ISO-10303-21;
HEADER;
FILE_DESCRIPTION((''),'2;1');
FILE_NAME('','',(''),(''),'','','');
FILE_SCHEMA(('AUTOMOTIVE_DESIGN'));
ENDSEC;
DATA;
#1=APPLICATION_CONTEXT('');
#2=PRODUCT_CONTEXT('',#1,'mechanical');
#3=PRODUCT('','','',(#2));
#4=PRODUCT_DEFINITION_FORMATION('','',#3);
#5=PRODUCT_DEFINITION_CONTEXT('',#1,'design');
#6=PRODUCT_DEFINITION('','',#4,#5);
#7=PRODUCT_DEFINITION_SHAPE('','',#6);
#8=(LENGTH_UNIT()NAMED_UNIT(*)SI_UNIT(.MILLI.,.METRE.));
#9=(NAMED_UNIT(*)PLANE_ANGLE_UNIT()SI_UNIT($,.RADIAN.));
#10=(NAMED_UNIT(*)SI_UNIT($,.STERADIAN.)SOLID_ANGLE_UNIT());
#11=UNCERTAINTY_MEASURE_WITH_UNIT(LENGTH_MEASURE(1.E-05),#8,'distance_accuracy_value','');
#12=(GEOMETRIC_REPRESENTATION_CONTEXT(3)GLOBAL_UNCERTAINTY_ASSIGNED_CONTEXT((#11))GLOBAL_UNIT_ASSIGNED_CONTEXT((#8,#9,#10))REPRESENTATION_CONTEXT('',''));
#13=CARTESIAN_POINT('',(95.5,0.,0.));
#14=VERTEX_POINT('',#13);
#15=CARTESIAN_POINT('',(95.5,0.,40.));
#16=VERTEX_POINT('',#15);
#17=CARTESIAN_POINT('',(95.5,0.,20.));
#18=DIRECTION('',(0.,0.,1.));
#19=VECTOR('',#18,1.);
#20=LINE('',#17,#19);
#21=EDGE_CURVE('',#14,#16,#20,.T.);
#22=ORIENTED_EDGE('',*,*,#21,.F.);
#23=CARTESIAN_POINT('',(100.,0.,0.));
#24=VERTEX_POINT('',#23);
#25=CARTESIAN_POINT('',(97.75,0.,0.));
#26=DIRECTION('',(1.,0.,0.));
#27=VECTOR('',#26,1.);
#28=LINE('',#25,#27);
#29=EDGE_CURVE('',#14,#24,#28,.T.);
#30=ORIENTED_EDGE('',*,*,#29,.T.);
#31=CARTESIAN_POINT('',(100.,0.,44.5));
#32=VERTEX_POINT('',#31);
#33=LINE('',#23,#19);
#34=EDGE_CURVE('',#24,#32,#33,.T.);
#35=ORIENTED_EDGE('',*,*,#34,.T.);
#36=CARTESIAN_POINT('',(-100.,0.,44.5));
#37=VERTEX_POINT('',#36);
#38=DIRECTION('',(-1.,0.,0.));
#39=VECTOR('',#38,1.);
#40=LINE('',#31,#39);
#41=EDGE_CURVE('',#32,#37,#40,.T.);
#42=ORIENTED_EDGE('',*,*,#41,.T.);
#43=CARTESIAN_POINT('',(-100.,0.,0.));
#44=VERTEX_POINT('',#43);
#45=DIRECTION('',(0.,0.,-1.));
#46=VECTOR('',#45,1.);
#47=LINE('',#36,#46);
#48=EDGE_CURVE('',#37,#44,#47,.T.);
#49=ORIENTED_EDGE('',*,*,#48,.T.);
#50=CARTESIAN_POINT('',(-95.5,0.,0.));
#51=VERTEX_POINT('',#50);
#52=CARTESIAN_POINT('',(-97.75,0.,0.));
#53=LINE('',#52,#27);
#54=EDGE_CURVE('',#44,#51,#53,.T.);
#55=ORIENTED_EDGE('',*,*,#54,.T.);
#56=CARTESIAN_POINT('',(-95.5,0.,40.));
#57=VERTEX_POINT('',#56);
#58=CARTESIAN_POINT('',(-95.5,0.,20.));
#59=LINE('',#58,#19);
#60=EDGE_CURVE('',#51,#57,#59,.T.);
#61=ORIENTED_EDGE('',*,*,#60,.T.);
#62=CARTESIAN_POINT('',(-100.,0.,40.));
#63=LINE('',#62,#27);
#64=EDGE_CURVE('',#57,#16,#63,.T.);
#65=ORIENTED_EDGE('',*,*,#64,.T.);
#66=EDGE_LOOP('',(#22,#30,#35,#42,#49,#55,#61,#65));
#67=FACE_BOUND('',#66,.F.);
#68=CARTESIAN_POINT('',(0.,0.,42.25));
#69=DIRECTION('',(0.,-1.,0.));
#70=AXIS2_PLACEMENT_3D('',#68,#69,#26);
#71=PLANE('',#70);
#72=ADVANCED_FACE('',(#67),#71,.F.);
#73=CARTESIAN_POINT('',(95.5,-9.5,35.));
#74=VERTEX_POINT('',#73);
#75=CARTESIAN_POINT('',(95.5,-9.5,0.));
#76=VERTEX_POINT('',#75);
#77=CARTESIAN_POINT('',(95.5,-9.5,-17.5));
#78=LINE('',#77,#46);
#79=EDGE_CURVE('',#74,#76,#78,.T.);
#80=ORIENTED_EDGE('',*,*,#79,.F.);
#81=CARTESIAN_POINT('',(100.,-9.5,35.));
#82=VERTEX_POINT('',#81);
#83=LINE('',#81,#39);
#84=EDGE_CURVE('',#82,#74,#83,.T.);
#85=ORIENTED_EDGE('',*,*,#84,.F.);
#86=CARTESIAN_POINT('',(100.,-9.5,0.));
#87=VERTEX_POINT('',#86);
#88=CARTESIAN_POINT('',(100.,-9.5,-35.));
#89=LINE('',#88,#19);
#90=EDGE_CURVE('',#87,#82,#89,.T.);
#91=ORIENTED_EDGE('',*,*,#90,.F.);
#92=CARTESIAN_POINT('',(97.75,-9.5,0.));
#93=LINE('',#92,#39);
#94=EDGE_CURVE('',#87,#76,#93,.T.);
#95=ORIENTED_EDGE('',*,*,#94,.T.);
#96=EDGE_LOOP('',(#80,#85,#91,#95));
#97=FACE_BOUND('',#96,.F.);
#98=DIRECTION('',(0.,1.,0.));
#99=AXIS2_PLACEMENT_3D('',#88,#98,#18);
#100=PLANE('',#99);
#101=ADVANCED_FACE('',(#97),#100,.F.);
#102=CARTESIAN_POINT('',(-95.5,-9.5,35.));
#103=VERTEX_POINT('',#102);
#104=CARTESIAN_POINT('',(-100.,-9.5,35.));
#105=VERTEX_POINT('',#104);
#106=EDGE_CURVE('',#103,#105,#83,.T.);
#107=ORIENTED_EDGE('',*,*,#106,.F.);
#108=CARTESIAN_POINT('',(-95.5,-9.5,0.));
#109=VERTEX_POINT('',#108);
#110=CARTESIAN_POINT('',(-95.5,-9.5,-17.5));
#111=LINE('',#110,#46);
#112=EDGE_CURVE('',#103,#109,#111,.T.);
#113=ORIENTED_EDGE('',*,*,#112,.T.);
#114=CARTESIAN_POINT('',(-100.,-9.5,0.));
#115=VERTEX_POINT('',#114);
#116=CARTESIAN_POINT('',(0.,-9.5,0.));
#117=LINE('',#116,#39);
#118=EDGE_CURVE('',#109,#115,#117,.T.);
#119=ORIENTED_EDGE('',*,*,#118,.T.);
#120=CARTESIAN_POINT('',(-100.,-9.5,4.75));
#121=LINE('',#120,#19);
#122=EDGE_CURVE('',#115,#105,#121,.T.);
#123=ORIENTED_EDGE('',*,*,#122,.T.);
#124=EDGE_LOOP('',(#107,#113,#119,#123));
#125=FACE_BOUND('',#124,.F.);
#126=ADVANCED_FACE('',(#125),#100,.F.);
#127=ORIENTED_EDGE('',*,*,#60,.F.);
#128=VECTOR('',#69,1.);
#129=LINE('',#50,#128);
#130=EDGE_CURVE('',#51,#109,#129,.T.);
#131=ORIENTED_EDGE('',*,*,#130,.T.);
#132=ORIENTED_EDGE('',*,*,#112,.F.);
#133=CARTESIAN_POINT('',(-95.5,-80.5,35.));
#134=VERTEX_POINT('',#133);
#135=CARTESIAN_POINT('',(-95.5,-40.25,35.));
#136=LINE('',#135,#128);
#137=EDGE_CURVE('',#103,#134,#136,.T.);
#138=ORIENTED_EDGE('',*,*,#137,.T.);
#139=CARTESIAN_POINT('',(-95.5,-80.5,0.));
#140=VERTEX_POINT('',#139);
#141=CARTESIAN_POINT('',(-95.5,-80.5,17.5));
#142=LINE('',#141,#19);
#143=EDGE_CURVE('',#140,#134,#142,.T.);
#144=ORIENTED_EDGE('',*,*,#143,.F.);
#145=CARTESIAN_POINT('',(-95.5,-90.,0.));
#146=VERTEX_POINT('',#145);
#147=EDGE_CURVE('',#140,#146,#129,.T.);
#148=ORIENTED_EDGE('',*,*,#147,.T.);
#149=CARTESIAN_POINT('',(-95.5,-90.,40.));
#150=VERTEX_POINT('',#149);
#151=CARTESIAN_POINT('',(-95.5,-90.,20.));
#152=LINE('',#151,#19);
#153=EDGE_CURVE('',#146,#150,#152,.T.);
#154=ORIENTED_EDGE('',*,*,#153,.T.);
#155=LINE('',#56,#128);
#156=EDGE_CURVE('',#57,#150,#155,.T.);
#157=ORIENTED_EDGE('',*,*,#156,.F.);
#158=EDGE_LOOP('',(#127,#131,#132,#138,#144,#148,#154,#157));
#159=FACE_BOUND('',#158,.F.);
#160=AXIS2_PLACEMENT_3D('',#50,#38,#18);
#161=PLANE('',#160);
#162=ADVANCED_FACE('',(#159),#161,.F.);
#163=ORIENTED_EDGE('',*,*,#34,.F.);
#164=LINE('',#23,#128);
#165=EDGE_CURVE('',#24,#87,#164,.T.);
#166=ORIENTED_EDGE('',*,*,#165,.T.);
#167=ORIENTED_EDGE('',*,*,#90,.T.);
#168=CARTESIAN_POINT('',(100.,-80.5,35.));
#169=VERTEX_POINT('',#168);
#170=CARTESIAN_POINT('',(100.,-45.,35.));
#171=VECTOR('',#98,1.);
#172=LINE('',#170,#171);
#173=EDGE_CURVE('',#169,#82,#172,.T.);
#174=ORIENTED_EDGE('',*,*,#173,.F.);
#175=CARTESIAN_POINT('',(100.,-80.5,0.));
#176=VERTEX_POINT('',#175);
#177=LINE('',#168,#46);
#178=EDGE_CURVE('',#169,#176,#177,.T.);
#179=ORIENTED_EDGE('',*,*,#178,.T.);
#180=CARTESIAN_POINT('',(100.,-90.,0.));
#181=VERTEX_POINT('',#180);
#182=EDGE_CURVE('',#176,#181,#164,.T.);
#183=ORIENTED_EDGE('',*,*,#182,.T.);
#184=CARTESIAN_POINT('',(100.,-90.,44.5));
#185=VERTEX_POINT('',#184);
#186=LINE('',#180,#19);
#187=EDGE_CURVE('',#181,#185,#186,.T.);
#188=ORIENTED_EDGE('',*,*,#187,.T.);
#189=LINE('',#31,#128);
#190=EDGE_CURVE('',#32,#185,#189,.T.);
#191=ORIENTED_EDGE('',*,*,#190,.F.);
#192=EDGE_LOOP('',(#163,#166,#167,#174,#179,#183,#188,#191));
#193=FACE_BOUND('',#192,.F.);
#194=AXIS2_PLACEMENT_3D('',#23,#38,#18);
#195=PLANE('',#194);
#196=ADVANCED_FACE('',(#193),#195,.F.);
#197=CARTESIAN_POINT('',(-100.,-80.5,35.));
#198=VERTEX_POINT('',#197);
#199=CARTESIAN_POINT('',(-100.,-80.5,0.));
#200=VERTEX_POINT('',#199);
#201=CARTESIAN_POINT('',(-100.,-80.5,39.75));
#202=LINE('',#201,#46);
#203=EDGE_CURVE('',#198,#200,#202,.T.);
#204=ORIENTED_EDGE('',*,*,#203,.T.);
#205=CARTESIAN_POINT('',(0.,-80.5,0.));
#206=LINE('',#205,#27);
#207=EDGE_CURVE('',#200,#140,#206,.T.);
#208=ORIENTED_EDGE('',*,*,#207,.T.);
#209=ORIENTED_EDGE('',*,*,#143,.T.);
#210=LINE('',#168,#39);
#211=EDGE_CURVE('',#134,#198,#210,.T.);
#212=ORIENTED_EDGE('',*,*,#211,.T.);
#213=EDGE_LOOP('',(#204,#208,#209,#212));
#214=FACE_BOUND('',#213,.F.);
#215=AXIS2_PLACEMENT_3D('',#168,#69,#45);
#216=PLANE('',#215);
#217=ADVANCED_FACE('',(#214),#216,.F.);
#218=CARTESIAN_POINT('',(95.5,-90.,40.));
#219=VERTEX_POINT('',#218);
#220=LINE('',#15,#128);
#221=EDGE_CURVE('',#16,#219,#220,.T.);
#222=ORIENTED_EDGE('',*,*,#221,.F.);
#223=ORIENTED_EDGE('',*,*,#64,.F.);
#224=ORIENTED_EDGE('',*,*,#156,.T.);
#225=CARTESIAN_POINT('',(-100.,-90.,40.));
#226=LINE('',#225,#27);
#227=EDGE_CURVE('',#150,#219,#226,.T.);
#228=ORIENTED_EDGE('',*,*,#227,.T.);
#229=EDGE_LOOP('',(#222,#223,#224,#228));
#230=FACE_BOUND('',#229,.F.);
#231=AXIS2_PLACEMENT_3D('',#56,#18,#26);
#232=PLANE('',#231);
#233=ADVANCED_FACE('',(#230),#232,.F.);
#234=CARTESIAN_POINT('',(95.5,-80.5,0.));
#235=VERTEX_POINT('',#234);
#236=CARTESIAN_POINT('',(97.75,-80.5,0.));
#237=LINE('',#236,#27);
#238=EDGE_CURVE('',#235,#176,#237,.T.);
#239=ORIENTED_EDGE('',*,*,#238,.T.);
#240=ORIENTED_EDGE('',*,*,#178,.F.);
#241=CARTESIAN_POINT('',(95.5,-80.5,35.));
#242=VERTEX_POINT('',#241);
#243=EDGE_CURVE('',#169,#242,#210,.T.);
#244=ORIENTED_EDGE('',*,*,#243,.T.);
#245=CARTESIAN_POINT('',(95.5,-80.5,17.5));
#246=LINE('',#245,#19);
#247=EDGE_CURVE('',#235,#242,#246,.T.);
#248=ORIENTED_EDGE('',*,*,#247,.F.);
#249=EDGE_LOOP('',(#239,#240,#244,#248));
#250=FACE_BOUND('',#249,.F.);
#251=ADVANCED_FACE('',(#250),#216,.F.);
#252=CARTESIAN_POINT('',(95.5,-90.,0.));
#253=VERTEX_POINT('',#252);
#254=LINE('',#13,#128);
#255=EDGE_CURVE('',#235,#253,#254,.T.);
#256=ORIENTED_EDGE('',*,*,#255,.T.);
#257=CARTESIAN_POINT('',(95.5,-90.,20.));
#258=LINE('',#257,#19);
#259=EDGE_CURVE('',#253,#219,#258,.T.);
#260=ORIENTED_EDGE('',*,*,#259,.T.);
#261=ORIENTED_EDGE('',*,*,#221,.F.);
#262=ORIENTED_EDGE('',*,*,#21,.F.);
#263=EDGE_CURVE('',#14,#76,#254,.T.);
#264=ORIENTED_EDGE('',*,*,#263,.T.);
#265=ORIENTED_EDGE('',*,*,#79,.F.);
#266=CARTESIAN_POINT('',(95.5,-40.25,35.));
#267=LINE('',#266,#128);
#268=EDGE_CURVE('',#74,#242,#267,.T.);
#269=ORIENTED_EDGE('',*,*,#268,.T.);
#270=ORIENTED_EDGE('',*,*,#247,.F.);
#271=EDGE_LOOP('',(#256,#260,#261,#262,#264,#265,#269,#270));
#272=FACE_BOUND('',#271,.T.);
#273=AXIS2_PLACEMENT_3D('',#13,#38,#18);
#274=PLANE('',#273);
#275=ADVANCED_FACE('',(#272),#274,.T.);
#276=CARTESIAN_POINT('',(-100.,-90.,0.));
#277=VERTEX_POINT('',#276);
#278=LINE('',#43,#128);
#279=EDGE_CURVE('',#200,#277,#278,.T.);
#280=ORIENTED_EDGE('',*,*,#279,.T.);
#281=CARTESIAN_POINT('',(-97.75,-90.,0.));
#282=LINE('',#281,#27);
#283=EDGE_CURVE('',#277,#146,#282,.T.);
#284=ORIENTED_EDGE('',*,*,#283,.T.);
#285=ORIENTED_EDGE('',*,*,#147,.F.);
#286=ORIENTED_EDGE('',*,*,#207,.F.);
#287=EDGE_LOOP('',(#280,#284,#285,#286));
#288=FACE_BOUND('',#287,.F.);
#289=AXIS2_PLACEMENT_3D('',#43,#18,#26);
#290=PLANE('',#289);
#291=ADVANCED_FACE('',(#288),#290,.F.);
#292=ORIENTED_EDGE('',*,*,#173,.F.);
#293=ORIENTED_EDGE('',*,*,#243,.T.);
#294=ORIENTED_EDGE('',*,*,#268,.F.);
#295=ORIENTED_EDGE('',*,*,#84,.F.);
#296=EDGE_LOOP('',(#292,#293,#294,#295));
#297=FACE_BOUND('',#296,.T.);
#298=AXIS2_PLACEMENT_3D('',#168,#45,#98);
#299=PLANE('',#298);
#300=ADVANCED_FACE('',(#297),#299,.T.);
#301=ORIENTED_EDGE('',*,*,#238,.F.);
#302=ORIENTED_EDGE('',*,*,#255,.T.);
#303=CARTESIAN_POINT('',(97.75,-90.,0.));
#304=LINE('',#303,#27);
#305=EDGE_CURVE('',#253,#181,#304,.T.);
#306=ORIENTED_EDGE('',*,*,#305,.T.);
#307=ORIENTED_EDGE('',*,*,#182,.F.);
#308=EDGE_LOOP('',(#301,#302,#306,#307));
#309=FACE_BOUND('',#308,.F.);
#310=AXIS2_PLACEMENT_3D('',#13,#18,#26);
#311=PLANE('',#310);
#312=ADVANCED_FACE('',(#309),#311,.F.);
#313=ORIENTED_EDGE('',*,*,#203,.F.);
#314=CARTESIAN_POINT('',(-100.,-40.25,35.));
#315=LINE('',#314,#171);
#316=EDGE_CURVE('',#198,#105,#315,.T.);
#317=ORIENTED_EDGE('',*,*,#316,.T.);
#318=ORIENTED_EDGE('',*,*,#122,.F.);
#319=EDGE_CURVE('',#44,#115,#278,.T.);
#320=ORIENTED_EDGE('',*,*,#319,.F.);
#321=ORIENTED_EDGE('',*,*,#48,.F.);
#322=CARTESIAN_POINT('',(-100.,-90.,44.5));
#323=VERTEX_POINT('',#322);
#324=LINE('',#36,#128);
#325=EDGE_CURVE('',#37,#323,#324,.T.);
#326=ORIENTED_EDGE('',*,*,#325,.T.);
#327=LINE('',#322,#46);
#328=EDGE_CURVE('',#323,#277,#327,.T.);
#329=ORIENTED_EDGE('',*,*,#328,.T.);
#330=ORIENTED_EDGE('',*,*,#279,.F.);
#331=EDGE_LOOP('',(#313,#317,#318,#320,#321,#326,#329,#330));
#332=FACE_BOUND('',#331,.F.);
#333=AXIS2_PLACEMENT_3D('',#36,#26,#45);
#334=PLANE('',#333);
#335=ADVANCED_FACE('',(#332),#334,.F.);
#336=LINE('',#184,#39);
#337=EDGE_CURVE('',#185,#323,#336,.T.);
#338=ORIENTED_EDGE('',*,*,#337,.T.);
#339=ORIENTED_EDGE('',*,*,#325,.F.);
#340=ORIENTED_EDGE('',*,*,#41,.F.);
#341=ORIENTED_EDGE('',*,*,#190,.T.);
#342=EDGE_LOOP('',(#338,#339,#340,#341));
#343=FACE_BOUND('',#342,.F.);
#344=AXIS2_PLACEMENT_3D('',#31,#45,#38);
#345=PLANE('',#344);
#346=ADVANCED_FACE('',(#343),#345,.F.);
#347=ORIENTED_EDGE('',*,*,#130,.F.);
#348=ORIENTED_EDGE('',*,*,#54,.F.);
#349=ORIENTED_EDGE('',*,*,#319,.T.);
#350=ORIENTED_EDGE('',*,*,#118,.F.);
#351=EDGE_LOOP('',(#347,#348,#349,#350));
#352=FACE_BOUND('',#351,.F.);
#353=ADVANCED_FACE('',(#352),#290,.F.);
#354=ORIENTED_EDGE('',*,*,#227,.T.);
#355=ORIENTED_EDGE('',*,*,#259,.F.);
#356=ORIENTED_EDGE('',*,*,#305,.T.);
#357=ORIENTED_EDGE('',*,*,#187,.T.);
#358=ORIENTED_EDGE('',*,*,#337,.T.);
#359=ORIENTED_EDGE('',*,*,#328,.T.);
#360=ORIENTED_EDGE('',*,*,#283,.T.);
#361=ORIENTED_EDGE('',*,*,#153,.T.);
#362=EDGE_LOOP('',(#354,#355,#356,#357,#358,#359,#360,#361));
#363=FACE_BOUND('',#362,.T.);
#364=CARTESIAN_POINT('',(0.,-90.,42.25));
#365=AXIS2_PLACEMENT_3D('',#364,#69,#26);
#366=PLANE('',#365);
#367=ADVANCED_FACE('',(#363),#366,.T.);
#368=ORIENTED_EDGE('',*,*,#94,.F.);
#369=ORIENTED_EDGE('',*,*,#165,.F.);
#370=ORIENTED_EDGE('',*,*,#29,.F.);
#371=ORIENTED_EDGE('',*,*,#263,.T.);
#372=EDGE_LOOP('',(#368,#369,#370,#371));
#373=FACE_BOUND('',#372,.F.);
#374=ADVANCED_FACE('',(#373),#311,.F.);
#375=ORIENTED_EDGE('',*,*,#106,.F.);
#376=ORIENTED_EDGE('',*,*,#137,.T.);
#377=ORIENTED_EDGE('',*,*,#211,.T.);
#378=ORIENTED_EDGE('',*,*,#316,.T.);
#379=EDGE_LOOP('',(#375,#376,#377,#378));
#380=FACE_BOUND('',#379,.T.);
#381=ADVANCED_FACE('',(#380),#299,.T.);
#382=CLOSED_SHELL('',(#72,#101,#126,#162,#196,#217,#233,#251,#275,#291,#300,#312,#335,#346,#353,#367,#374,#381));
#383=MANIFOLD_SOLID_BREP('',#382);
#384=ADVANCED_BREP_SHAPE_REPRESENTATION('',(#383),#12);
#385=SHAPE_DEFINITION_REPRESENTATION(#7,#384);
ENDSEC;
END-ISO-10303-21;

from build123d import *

# Parameters (mm, degrees)
F0_W     = 4.5
F0_H     = 40
F1_DEPTH = 90
F2_W     = 71
F2_H     = 35
F3_DEPTH = 200.001


with BuildPart() as f1:
    # F0 (on Front) → F1 (new body)
    with BuildSketch(Plane.XZ):
        Polygon((-100, 44.5), (-100, 40), (-95.5, 40), (95.5, 40), (100, 40), (100, 44.5), align=None)
        with Locations((-97.75, 20)):
            Rectangle(F0_W, F0_H)
        with Locations((97.75, 20)):
            Rectangle(F0_W, F0_H)
    extrude(amount=F1_DEPTH)

    # F2 (on face) → F3 (cut, through all)
    with BuildSketch(Plane.YZ.offset(100)):
        with Locations((-45, 17.5)):
            Rectangle(F2_W, F2_H)
        with Locations((-45, -17.5)):
            Rectangle(F2_W, F2_H)
    extrude(amount=-F3_DEPTH, mode=Mode.SUBTRACT)


solid = f1.part
